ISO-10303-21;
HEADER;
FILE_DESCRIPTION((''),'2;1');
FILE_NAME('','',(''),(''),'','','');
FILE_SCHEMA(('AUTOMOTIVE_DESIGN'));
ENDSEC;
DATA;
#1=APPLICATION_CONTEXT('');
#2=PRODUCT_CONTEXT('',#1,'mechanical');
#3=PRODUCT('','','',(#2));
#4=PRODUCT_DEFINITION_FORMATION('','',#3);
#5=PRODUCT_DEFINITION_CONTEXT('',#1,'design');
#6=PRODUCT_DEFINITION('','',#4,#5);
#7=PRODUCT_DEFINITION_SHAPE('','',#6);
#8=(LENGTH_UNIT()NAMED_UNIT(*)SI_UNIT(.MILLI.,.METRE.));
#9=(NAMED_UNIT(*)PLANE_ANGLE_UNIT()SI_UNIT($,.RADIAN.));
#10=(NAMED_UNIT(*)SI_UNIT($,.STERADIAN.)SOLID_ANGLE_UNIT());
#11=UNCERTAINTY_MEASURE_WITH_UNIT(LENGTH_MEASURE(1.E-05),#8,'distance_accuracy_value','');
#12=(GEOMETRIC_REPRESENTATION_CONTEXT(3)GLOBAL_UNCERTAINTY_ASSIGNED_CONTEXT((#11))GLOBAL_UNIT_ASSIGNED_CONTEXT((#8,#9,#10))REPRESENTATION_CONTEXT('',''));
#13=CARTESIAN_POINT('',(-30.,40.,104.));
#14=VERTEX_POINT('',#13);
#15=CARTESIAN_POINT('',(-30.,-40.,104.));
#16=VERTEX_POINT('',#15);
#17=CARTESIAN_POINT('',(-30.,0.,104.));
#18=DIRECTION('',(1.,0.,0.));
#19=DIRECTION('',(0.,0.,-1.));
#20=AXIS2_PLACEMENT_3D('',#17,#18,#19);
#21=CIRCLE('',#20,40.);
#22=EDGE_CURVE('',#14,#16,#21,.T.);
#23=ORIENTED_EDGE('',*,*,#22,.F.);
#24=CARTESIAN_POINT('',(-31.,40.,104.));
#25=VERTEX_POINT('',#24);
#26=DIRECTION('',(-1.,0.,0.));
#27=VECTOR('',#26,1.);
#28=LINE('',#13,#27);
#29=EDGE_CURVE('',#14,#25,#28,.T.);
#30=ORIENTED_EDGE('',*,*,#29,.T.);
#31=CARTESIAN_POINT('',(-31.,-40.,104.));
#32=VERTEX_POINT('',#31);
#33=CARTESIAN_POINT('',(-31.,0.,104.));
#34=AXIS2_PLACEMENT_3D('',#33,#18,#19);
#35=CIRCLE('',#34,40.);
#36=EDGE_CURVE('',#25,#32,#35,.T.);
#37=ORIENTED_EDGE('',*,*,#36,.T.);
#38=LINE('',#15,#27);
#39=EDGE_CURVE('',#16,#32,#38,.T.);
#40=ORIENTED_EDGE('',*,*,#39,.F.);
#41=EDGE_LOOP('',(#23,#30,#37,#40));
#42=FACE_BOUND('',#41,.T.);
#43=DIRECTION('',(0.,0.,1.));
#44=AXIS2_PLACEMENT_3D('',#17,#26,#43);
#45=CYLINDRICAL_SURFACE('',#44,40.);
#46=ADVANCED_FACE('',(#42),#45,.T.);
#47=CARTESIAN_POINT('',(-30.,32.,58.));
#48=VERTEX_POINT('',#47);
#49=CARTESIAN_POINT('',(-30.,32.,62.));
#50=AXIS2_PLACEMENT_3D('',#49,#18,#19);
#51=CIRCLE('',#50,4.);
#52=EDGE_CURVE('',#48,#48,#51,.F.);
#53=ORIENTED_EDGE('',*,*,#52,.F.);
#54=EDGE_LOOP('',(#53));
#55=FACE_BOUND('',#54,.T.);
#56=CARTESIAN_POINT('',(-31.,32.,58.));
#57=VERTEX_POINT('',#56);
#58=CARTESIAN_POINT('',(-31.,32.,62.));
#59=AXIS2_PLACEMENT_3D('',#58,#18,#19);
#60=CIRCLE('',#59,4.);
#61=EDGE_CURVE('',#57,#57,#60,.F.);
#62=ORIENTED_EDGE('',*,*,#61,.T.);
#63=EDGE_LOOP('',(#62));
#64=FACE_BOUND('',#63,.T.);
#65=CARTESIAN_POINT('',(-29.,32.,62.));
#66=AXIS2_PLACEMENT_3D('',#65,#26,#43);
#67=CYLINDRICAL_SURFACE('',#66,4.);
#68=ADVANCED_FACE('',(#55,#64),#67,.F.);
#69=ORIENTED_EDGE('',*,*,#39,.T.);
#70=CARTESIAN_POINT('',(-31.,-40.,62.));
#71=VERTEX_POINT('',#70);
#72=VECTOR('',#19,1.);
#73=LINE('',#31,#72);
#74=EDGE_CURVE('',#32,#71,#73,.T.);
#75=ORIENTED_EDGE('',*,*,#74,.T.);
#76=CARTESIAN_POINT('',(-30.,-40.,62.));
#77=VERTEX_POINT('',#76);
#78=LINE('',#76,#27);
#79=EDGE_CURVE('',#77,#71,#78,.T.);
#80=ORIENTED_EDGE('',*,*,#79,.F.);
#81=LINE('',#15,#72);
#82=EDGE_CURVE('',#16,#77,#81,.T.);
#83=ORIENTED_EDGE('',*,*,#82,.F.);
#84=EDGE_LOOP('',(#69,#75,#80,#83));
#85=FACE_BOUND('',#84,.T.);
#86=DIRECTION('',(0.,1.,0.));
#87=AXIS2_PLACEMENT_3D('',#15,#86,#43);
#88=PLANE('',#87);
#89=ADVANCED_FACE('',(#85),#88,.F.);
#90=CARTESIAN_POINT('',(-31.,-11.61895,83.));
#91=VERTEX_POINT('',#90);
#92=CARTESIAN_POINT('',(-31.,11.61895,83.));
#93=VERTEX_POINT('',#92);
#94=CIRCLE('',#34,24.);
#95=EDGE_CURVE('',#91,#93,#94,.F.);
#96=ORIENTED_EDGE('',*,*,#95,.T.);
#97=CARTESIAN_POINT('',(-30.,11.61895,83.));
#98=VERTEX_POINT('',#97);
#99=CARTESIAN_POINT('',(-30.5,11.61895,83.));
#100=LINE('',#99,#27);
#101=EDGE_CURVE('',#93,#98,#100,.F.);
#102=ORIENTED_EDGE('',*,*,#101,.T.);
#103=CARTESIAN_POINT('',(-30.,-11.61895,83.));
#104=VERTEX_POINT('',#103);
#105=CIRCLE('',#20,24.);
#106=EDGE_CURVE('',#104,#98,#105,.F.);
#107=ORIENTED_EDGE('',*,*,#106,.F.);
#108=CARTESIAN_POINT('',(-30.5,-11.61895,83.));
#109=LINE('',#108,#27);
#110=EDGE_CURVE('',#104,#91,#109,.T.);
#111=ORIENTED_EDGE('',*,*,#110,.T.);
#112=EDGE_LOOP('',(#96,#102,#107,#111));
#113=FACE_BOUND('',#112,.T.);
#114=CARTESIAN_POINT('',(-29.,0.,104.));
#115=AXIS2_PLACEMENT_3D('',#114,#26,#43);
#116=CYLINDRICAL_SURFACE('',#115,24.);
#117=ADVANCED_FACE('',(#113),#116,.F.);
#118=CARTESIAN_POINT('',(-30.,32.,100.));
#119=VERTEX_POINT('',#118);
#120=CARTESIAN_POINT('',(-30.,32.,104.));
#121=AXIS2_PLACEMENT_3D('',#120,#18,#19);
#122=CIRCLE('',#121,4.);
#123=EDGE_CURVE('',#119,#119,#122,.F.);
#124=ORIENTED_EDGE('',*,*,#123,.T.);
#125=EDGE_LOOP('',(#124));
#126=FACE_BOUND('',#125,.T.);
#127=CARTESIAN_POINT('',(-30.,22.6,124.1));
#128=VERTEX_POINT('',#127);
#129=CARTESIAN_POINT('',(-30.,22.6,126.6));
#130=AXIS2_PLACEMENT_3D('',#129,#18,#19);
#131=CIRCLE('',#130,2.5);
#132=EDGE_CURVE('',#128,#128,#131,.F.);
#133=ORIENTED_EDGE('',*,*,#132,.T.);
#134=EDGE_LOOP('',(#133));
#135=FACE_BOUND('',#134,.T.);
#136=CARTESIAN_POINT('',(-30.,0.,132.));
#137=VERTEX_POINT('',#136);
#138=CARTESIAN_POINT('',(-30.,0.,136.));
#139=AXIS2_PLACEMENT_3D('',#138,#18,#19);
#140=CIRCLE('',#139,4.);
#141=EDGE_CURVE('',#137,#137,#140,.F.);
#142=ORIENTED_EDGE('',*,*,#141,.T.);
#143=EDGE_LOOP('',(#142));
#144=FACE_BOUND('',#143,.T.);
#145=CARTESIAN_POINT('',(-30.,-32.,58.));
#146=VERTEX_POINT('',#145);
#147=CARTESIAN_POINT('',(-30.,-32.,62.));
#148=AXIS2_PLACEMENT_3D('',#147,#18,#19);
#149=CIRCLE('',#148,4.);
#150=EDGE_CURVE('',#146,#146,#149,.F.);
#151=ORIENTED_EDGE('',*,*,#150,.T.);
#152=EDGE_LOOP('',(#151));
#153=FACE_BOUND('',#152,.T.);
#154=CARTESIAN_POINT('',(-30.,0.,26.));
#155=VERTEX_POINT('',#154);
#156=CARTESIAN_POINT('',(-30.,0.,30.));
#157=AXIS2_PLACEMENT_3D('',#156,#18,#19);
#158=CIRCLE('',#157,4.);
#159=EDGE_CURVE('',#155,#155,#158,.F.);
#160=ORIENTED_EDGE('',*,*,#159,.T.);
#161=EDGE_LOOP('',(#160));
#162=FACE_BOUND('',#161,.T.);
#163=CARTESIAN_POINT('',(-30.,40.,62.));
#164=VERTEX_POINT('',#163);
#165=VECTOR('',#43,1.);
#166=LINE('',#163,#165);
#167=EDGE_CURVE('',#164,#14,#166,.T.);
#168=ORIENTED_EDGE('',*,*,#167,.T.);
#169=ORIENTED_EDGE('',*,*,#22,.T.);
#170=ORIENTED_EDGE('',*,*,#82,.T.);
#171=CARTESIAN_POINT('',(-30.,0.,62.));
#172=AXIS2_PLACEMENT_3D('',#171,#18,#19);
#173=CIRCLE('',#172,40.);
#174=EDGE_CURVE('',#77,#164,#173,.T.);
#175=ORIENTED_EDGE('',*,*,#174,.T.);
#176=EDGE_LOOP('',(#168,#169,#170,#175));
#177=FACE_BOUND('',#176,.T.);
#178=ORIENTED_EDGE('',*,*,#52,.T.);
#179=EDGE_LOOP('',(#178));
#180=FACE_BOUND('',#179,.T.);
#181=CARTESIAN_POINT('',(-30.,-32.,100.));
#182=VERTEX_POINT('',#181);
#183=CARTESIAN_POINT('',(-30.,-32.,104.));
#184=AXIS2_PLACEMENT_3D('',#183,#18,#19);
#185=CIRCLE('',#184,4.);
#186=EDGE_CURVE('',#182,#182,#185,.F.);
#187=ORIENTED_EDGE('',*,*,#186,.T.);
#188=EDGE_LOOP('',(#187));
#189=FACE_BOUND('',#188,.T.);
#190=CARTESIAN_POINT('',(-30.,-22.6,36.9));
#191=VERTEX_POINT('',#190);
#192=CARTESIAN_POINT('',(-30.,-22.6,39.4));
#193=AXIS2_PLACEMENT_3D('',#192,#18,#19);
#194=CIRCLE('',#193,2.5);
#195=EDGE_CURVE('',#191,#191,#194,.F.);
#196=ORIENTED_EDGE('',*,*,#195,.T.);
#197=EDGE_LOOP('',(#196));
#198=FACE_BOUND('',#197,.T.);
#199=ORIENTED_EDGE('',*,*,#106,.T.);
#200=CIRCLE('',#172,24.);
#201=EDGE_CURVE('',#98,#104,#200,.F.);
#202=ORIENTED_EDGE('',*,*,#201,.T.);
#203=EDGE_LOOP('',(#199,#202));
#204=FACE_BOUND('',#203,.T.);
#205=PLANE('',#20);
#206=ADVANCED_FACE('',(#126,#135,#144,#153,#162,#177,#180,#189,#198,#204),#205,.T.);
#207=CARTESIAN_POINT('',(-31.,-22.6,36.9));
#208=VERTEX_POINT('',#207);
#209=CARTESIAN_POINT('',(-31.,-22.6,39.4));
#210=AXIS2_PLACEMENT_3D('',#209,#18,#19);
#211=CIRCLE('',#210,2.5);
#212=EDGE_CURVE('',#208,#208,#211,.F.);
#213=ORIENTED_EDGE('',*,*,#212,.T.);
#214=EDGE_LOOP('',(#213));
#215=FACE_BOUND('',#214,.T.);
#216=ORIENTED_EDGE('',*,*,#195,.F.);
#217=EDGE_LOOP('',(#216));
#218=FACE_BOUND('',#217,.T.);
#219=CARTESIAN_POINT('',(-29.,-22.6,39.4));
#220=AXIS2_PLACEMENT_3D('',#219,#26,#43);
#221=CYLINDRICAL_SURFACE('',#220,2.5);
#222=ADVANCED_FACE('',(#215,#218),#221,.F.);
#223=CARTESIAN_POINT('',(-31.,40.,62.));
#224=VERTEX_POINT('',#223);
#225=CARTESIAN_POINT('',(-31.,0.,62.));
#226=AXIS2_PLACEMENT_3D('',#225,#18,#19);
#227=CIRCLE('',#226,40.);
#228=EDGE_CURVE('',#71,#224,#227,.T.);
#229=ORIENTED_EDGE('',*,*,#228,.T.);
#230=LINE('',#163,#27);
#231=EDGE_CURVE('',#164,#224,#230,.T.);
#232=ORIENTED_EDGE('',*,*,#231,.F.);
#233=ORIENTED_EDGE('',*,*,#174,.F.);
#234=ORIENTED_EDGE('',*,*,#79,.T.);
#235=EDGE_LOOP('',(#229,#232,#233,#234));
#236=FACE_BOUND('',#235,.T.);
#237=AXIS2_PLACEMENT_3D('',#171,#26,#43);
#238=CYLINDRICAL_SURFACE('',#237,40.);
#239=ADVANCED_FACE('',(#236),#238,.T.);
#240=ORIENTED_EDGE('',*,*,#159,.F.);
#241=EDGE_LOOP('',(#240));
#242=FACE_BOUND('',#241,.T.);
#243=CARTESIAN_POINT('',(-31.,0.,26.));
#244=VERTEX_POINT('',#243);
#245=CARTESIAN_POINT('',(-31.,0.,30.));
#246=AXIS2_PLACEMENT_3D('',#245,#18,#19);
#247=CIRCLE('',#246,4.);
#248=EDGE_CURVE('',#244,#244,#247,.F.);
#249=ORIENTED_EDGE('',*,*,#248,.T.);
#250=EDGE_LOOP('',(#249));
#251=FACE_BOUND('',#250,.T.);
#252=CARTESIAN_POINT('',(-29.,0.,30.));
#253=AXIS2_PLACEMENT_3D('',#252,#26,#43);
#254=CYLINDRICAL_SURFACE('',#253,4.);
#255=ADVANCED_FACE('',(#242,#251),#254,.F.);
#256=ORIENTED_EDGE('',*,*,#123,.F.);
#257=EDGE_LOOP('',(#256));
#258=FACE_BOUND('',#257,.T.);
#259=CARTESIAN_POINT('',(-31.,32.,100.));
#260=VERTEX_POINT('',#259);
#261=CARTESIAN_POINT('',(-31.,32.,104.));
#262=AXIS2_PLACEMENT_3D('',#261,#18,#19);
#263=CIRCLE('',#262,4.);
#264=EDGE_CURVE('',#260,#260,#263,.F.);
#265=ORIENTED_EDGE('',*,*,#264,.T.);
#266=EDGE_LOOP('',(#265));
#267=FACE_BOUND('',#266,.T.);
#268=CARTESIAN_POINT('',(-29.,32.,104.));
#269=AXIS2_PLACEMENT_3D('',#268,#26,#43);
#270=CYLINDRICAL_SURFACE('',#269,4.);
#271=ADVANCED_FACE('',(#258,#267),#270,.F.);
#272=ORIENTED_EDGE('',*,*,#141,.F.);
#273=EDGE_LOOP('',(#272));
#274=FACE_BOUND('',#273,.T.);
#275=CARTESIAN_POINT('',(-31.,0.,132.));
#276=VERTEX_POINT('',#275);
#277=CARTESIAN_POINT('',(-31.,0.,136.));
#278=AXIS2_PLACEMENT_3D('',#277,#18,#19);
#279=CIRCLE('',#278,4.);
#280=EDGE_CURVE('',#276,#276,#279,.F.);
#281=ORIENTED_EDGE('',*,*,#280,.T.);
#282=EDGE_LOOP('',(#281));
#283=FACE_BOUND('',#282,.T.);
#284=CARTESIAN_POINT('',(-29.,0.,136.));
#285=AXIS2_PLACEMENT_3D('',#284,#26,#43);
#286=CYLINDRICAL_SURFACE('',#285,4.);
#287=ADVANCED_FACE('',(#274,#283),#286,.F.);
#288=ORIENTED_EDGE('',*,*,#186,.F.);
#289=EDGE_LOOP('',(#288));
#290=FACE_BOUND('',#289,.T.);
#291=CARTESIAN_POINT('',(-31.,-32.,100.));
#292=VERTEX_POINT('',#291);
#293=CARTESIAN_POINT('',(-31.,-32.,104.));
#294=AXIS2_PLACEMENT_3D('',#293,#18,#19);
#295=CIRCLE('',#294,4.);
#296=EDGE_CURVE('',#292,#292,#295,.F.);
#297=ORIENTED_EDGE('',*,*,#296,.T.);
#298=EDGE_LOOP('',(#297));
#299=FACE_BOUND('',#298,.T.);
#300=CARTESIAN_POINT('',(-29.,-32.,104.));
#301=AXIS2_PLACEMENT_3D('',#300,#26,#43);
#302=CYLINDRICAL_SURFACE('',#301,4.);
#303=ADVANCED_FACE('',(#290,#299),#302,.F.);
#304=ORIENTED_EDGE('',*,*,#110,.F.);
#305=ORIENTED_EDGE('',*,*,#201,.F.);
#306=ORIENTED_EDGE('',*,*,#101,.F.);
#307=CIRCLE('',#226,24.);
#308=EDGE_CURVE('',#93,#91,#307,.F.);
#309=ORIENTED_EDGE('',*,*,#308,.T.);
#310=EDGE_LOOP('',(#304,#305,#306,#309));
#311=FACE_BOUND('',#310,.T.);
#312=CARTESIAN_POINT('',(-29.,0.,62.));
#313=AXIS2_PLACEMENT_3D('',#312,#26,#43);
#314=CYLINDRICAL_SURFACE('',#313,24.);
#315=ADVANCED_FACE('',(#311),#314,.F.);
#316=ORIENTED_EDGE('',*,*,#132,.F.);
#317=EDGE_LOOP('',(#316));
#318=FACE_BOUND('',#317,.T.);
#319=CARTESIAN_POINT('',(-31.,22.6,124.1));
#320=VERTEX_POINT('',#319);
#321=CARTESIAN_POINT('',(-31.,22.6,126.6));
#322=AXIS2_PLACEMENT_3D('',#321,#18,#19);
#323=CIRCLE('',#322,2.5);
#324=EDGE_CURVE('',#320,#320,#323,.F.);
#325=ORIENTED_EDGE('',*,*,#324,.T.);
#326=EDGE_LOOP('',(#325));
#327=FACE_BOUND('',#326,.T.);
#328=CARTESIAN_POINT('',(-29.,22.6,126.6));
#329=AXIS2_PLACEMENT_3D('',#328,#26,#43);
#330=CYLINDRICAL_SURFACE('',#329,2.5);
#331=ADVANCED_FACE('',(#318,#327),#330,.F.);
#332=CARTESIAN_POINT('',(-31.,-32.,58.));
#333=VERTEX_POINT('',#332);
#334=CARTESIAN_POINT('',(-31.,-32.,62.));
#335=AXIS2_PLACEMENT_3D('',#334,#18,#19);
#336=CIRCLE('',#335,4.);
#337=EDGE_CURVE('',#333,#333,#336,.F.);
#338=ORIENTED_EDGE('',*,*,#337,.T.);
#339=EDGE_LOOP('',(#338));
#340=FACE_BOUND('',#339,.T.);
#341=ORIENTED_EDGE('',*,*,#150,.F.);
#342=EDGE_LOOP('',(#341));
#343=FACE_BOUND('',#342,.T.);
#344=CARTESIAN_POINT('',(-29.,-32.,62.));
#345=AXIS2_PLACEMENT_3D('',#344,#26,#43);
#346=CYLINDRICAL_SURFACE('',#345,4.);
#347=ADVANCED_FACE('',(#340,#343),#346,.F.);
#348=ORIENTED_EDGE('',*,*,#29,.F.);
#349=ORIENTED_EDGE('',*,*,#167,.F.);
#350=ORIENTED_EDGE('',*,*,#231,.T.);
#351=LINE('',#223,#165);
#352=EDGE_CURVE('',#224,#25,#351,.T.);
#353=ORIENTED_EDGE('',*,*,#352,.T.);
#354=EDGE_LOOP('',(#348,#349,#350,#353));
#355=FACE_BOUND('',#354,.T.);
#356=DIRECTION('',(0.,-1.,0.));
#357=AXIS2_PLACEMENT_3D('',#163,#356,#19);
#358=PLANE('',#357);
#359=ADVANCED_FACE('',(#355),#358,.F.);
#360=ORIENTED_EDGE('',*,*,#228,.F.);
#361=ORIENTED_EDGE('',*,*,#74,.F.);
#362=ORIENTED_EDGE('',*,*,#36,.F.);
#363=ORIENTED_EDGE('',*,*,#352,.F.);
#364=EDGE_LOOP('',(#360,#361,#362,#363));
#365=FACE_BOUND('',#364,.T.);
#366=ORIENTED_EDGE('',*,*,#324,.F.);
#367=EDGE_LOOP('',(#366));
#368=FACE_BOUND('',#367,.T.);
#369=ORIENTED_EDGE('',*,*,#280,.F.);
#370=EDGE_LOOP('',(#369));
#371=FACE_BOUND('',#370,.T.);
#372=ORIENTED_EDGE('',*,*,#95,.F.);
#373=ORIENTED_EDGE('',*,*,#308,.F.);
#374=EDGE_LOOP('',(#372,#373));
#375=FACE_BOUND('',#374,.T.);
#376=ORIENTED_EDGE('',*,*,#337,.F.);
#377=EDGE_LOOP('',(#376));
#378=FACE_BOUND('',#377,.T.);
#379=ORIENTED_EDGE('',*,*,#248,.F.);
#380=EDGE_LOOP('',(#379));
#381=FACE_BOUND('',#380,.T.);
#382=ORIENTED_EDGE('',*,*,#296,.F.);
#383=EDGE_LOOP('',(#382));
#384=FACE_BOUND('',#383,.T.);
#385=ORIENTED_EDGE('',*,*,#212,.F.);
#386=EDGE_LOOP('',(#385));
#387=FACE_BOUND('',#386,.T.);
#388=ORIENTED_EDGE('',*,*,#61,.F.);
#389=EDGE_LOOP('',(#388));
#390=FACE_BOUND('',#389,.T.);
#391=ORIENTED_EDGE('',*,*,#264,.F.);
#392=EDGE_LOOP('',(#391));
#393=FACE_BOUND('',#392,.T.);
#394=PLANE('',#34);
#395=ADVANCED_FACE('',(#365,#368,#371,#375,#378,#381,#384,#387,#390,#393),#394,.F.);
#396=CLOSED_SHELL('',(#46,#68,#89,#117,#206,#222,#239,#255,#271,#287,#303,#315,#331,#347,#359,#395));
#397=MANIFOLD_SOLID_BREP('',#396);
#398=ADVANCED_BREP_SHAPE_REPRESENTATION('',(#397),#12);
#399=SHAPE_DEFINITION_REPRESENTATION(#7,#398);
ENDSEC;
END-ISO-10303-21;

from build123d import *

# Parameters (mm, degrees)
F_01_GASKET_DEPTH  = 1
SKETCH_2_R         = 24
F_02_HOLE_UP_DEPTH = 3
SKETCH_3_R         = 24
F_03_HOLE_LO_DEPTH = 3
SKETCH_4_R         = 4
F_04_BOLT_0_DEPTH  = 3
SKETCH_5_R         = 4
F_04_BOLT_1_DEPTH  = 3
SKETCH_6_R         = 4
F_04_BOLT_2_DEPTH  = 3
SKETCH_7_R         = 4
F_04_BOLT_3_DEPTH  = 3
SKETCH_8_R         = 4
F_04_BOLT_4_DEPTH  = 3
SKETCH_9_R         = 4
F_04_BOLT_5_DEPTH  = 3
SKETCH_10_R        = 2.5
F_05_DOWEL_0_DEPTH = 3
SKETCH_11_R        = 2.5
F_05_DOWEL_1_DEPTH = 3


with BuildPart() as part:
    # 草图1 → 01_GASKET (new body)
    with BuildSketch(Plane(origin=(-31, 0, 0), x_dir=(0, 0, -1), z_dir=(1, 0, 0))):
        with BuildLine():
            Line((-104, -40), (-62, -40))
            ThreePointArc((-62, -40), (-22, 0), (-62, 40))
            Line((-62, 40), (-104, 40))
            ThreePointArc((-104, 40), (-144, 0), (-104, -40))
        make_face()
    extrude(amount=F_01_GASKET_DEPTH)

    # 草图2 → 02_HOLE_UP (cut)
    with BuildSketch(Plane(origin=(-32, 0, 0), x_dir=(0, 0, -1), z_dir=(1, 0, 0))):
        with Locations((-104, 0)):
            Circle(SKETCH_2_R)
    extrude(amount=F_02_HOLE_UP_DEPTH, mode=Mode.SUBTRACT)

    # 草图3 → 03_HOLE_LO (cut)
    with BuildSketch(Plane(origin=(-32, 0, 0), x_dir=(0, 0, -1), z_dir=(1, 0, 0))):
        with Locations((-62, 0)):
            Circle(SKETCH_3_R)
    extrude(amount=F_03_HOLE_LO_DEPTH, mode=Mode.SUBTRACT)

    # 草图4 → 04_BOLT_0 (cut)
    with BuildSketch(Plane(origin=(-32, 0, 0), x_dir=(0, 0, -1), z_dir=(1, 0, 0))):
        with Locations((-104, 32)):
            Circle(SKETCH_4_R)
    extrude(amount=F_04_BOLT_0_DEPTH, mode=Mode.SUBTRACT)

    # 草图5 → 04_BOLT_1 (cut)
    with BuildSketch(Plane(origin=(-32, 0, 0), x_dir=(0, 0, -1), z_dir=(1, 0, 0))):
        with Locations((-104, -32)):
            Circle(SKETCH_5_R)
    extrude(amount=F_04_BOLT_1_DEPTH, mode=Mode.SUBTRACT)

    # 草图6 → 04_BOLT_2 (cut)
    with BuildSketch(Plane(origin=(-32, 0, 0), x_dir=(0, 0, -1), z_dir=(1, 0, 0))):
        with Locations((-62, 32)):
            Circle(SKETCH_6_R)
    extrude(amount=F_04_BOLT_2_DEPTH, mode=Mode.SUBTRACT)

    # 草图7 → 04_BOLT_3 (cut)
    with BuildSketch(Plane(origin=(-32, 0, 0), x_dir=(0, 0, -1), z_dir=(1, 0, 0))):
        with Locations((-62, -32)):
            Circle(SKETCH_7_R)
    extrude(amount=F_04_BOLT_3_DEPTH, mode=Mode.SUBTRACT)

    # 草图8 → 04_BOLT_4 (cut)
    with BuildSketch(Plane(origin=(-32, 0, 0), x_dir=(0, 0, -1), z_dir=(1, 0, 0))):
        with Locations((-136, 0)):
            Circle(SKETCH_8_R)
    extrude(amount=F_04_BOLT_4_DEPTH, mode=Mode.SUBTRACT)

    # 草图9 → 04_BOLT_5 (cut)
    with BuildSketch(Plane(origin=(-32, 0, 0), x_dir=(0, 0, -1), z_dir=(1, 0, 0))):
        with Locations((-30, 0)):
            Circle(SKETCH_9_R)
    extrude(amount=F_04_BOLT_5_DEPTH, mode=Mode.SUBTRACT)

    # 草图10 → 05_DOWEL_0 (cut)
    with BuildSketch(Plane(origin=(-32, 0, 0), x_dir=(0, 0, -1), z_dir=(1, 0, 0))):
        with Locations((-126.6, 22.6)):
            Circle(SKETCH_10_R)
    extrude(amount=F_05_DOWEL_0_DEPTH, mode=Mode.SUBTRACT)

    # 草图11 → 05_DOWEL_1 (cut)
    with BuildSketch(Plane(origin=(-32, 0, 0), x_dir=(0, 0, -1), z_dir=(1, 0, 0))):
        with Locations((-39.4, -22.6)):
            Circle(SKETCH_11_R)
    extrude(amount=F_05_DOWEL_1_DEPTH, mode=Mode.SUBTRACT)


solid = part.part
